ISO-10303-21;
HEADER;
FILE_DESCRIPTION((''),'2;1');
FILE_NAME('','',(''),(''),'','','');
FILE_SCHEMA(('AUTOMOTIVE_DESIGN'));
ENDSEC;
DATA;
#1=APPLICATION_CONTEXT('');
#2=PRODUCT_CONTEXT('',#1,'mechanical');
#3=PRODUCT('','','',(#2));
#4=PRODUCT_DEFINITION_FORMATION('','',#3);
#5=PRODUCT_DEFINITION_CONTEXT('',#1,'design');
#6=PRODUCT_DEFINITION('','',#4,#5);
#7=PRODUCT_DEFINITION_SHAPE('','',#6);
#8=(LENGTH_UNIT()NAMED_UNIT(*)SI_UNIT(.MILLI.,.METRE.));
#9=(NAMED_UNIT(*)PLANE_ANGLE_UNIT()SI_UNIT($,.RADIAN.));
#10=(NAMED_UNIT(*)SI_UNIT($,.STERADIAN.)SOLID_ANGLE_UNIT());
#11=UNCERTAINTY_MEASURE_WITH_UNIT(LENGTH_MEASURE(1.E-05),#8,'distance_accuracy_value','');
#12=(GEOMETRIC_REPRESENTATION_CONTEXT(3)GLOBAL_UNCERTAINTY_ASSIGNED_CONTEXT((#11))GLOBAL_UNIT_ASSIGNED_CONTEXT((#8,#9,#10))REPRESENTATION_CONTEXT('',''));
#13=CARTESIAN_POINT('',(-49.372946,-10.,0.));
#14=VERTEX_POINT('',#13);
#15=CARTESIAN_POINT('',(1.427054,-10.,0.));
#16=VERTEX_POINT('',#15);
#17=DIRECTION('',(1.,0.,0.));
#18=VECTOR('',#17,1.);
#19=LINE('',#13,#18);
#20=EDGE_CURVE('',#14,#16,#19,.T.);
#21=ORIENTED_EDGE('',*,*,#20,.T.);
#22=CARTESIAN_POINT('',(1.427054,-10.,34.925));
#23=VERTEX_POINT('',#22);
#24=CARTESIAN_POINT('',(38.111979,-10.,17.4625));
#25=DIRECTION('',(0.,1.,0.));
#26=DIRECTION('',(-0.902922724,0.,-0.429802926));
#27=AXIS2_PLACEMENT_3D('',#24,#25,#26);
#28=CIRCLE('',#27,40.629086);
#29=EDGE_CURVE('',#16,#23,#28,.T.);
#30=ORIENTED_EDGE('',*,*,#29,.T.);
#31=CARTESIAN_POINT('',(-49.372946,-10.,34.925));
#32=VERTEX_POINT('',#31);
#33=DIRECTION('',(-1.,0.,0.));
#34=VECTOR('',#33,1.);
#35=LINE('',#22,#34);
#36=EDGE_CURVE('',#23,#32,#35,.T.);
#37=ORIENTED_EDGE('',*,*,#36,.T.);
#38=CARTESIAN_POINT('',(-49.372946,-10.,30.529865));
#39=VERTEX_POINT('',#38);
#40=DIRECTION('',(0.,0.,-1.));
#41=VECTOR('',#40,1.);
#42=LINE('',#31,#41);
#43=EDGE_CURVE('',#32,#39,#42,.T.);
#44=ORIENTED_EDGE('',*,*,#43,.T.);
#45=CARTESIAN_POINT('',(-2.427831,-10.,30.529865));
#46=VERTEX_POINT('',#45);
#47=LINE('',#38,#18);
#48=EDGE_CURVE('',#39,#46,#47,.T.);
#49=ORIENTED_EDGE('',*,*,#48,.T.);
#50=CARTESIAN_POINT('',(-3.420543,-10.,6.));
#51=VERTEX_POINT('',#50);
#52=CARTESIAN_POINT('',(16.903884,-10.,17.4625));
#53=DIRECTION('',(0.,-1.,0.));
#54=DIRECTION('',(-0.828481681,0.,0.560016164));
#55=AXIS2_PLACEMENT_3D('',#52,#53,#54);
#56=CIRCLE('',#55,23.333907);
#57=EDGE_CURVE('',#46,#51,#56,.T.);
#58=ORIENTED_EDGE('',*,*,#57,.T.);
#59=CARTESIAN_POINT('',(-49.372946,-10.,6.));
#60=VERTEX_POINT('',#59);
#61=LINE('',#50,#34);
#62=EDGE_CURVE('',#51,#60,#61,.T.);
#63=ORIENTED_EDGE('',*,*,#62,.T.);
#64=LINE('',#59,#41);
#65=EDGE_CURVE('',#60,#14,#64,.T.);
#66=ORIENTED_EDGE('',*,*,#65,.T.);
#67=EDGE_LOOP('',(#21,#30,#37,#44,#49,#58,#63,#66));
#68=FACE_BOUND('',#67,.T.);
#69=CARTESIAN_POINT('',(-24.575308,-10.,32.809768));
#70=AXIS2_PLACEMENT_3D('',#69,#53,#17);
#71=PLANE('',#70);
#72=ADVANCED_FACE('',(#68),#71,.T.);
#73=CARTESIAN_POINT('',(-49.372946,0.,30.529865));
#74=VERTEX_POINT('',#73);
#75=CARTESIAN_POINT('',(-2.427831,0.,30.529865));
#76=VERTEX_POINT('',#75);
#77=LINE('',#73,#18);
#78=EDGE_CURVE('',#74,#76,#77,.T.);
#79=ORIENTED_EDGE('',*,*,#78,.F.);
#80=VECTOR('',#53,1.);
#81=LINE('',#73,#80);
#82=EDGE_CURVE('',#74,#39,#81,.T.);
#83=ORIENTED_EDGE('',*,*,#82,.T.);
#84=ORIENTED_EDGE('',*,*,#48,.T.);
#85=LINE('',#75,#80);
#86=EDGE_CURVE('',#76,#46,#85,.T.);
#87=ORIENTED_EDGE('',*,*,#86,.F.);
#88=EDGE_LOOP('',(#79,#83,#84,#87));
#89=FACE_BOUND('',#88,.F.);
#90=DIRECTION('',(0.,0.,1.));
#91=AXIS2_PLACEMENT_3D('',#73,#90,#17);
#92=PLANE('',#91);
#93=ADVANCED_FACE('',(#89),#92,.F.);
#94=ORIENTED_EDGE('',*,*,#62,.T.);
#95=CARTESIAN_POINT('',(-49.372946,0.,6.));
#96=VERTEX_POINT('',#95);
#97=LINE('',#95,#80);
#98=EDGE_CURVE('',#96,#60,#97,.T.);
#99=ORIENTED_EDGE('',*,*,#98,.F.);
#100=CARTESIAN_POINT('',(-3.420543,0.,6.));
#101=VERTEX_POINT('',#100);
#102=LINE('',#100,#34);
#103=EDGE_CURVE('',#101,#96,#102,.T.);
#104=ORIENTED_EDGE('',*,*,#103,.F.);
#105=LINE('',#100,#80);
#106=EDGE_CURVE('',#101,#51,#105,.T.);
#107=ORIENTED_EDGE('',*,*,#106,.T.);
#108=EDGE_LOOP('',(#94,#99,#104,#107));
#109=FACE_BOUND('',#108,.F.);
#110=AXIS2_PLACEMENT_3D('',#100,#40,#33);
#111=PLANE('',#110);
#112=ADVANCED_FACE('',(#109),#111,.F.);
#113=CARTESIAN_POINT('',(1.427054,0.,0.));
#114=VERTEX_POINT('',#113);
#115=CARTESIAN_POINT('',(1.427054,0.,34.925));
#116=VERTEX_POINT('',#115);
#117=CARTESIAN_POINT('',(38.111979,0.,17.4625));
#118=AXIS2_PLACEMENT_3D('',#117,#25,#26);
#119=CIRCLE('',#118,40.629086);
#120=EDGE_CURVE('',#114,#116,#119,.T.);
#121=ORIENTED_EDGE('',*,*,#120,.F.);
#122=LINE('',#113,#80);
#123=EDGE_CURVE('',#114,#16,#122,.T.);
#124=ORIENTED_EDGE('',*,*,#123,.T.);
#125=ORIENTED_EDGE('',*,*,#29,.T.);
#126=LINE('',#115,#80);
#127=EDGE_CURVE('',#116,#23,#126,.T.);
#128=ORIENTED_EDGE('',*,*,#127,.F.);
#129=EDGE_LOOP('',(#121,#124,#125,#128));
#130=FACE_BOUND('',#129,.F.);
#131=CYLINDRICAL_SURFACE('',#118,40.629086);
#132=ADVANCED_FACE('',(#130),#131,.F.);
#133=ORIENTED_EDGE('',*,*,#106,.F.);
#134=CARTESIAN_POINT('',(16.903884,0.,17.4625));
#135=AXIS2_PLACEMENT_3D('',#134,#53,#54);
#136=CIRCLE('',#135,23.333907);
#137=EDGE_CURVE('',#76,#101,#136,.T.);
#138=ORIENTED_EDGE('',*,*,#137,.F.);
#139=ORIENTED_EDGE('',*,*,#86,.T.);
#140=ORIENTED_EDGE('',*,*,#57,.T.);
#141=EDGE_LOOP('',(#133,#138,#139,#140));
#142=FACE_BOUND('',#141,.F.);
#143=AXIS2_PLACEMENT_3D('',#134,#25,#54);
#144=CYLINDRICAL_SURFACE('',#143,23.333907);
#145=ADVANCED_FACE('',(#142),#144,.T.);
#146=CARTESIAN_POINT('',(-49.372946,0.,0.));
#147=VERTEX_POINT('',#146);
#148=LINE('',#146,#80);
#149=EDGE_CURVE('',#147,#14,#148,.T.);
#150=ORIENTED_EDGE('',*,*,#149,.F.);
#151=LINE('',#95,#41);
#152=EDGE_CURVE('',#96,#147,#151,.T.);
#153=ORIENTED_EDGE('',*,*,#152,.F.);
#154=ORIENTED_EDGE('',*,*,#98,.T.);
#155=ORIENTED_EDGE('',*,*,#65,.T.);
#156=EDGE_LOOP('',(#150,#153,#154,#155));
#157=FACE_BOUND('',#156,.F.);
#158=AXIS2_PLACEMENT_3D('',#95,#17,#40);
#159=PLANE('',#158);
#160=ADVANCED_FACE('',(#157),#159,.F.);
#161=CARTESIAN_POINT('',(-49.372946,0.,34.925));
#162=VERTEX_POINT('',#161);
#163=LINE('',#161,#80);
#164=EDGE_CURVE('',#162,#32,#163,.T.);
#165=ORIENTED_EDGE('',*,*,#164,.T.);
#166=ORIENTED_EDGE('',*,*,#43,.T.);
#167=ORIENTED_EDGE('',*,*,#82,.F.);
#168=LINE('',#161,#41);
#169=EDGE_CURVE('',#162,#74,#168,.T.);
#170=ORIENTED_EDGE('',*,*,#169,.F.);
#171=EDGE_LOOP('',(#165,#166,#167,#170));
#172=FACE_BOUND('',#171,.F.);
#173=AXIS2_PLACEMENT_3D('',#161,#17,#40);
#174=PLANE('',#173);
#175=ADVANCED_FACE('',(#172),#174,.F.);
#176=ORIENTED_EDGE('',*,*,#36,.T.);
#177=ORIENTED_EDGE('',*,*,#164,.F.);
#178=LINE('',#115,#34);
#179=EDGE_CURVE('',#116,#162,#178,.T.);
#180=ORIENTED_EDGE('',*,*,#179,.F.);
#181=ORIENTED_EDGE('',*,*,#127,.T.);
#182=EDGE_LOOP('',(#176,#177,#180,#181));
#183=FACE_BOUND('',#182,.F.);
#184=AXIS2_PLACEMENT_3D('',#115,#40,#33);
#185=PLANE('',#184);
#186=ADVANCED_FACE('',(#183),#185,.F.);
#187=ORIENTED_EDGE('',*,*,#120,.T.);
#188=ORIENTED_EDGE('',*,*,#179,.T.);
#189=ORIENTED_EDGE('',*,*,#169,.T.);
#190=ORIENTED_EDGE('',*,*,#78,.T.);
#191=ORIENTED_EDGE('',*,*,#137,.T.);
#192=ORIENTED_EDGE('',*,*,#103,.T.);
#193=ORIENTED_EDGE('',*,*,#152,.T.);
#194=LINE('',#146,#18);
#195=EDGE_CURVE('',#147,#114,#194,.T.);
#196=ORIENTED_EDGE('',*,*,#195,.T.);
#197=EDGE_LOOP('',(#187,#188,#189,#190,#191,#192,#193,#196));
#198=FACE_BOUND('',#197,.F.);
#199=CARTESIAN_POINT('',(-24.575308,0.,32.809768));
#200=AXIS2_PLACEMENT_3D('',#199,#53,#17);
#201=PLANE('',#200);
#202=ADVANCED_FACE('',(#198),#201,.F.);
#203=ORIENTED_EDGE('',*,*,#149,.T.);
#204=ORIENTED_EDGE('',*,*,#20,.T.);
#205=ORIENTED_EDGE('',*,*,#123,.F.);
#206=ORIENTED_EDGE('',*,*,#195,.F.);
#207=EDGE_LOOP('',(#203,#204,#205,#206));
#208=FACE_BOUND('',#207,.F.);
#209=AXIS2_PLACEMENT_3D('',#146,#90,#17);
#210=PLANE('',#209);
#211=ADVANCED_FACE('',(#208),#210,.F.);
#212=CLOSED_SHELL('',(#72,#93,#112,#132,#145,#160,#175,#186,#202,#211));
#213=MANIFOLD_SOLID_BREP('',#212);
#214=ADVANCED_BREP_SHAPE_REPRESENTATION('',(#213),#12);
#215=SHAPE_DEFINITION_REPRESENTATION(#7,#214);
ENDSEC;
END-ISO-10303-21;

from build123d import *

# Parameters (mm, degrees)
F1_DEPTH = 10


with BuildPart() as f1:
    # F0 (on Front) → F1 (new body)
    with BuildSketch(Plane.XZ):
        with BuildLine():
            Line((1.427054, 34.925), (-49.372946, 34.925))
            Line((-49.372946, 34.925), (-49.372946, 30.529865))
            Line((-49.372946, 30.529865), (-2.427831, 30.529865))
            ThreePointArc((-2.427831, 30.529865), (-0.638579, 32.848636), (1.427054, 34.925))
        make_face()
        with BuildLine():
            Line((-49.372946, 0), (1.427054, 0))
            ThreePointArc((1.427054, 0), (-1.246391, 2.798302), (-3.420543, 6))
            Line((-3.420543, 6), (-49.372946, 6))
            Line((-49.372946, 6), (-49.372946, 0))
        make_face()
        with BuildLine():
            ThreePointArc((1.427054, 0), (-2.517107, 17.4625), (1.427054, 34.925))
            ThreePointArc((1.427054, 34.925), (-0.638579, 32.848636), (-2.427831, 30.529865))
            ThreePointArc((-2.427831, 30.529865), (-6.410939, 18.40604), (-3.420543, 6))
            ThreePointArc((-3.420543, 6), (-1.246391, 2.798302), (1.427054, 0))
        make_face()
    extrude(amount=F1_DEPTH)


solid = f1.part
